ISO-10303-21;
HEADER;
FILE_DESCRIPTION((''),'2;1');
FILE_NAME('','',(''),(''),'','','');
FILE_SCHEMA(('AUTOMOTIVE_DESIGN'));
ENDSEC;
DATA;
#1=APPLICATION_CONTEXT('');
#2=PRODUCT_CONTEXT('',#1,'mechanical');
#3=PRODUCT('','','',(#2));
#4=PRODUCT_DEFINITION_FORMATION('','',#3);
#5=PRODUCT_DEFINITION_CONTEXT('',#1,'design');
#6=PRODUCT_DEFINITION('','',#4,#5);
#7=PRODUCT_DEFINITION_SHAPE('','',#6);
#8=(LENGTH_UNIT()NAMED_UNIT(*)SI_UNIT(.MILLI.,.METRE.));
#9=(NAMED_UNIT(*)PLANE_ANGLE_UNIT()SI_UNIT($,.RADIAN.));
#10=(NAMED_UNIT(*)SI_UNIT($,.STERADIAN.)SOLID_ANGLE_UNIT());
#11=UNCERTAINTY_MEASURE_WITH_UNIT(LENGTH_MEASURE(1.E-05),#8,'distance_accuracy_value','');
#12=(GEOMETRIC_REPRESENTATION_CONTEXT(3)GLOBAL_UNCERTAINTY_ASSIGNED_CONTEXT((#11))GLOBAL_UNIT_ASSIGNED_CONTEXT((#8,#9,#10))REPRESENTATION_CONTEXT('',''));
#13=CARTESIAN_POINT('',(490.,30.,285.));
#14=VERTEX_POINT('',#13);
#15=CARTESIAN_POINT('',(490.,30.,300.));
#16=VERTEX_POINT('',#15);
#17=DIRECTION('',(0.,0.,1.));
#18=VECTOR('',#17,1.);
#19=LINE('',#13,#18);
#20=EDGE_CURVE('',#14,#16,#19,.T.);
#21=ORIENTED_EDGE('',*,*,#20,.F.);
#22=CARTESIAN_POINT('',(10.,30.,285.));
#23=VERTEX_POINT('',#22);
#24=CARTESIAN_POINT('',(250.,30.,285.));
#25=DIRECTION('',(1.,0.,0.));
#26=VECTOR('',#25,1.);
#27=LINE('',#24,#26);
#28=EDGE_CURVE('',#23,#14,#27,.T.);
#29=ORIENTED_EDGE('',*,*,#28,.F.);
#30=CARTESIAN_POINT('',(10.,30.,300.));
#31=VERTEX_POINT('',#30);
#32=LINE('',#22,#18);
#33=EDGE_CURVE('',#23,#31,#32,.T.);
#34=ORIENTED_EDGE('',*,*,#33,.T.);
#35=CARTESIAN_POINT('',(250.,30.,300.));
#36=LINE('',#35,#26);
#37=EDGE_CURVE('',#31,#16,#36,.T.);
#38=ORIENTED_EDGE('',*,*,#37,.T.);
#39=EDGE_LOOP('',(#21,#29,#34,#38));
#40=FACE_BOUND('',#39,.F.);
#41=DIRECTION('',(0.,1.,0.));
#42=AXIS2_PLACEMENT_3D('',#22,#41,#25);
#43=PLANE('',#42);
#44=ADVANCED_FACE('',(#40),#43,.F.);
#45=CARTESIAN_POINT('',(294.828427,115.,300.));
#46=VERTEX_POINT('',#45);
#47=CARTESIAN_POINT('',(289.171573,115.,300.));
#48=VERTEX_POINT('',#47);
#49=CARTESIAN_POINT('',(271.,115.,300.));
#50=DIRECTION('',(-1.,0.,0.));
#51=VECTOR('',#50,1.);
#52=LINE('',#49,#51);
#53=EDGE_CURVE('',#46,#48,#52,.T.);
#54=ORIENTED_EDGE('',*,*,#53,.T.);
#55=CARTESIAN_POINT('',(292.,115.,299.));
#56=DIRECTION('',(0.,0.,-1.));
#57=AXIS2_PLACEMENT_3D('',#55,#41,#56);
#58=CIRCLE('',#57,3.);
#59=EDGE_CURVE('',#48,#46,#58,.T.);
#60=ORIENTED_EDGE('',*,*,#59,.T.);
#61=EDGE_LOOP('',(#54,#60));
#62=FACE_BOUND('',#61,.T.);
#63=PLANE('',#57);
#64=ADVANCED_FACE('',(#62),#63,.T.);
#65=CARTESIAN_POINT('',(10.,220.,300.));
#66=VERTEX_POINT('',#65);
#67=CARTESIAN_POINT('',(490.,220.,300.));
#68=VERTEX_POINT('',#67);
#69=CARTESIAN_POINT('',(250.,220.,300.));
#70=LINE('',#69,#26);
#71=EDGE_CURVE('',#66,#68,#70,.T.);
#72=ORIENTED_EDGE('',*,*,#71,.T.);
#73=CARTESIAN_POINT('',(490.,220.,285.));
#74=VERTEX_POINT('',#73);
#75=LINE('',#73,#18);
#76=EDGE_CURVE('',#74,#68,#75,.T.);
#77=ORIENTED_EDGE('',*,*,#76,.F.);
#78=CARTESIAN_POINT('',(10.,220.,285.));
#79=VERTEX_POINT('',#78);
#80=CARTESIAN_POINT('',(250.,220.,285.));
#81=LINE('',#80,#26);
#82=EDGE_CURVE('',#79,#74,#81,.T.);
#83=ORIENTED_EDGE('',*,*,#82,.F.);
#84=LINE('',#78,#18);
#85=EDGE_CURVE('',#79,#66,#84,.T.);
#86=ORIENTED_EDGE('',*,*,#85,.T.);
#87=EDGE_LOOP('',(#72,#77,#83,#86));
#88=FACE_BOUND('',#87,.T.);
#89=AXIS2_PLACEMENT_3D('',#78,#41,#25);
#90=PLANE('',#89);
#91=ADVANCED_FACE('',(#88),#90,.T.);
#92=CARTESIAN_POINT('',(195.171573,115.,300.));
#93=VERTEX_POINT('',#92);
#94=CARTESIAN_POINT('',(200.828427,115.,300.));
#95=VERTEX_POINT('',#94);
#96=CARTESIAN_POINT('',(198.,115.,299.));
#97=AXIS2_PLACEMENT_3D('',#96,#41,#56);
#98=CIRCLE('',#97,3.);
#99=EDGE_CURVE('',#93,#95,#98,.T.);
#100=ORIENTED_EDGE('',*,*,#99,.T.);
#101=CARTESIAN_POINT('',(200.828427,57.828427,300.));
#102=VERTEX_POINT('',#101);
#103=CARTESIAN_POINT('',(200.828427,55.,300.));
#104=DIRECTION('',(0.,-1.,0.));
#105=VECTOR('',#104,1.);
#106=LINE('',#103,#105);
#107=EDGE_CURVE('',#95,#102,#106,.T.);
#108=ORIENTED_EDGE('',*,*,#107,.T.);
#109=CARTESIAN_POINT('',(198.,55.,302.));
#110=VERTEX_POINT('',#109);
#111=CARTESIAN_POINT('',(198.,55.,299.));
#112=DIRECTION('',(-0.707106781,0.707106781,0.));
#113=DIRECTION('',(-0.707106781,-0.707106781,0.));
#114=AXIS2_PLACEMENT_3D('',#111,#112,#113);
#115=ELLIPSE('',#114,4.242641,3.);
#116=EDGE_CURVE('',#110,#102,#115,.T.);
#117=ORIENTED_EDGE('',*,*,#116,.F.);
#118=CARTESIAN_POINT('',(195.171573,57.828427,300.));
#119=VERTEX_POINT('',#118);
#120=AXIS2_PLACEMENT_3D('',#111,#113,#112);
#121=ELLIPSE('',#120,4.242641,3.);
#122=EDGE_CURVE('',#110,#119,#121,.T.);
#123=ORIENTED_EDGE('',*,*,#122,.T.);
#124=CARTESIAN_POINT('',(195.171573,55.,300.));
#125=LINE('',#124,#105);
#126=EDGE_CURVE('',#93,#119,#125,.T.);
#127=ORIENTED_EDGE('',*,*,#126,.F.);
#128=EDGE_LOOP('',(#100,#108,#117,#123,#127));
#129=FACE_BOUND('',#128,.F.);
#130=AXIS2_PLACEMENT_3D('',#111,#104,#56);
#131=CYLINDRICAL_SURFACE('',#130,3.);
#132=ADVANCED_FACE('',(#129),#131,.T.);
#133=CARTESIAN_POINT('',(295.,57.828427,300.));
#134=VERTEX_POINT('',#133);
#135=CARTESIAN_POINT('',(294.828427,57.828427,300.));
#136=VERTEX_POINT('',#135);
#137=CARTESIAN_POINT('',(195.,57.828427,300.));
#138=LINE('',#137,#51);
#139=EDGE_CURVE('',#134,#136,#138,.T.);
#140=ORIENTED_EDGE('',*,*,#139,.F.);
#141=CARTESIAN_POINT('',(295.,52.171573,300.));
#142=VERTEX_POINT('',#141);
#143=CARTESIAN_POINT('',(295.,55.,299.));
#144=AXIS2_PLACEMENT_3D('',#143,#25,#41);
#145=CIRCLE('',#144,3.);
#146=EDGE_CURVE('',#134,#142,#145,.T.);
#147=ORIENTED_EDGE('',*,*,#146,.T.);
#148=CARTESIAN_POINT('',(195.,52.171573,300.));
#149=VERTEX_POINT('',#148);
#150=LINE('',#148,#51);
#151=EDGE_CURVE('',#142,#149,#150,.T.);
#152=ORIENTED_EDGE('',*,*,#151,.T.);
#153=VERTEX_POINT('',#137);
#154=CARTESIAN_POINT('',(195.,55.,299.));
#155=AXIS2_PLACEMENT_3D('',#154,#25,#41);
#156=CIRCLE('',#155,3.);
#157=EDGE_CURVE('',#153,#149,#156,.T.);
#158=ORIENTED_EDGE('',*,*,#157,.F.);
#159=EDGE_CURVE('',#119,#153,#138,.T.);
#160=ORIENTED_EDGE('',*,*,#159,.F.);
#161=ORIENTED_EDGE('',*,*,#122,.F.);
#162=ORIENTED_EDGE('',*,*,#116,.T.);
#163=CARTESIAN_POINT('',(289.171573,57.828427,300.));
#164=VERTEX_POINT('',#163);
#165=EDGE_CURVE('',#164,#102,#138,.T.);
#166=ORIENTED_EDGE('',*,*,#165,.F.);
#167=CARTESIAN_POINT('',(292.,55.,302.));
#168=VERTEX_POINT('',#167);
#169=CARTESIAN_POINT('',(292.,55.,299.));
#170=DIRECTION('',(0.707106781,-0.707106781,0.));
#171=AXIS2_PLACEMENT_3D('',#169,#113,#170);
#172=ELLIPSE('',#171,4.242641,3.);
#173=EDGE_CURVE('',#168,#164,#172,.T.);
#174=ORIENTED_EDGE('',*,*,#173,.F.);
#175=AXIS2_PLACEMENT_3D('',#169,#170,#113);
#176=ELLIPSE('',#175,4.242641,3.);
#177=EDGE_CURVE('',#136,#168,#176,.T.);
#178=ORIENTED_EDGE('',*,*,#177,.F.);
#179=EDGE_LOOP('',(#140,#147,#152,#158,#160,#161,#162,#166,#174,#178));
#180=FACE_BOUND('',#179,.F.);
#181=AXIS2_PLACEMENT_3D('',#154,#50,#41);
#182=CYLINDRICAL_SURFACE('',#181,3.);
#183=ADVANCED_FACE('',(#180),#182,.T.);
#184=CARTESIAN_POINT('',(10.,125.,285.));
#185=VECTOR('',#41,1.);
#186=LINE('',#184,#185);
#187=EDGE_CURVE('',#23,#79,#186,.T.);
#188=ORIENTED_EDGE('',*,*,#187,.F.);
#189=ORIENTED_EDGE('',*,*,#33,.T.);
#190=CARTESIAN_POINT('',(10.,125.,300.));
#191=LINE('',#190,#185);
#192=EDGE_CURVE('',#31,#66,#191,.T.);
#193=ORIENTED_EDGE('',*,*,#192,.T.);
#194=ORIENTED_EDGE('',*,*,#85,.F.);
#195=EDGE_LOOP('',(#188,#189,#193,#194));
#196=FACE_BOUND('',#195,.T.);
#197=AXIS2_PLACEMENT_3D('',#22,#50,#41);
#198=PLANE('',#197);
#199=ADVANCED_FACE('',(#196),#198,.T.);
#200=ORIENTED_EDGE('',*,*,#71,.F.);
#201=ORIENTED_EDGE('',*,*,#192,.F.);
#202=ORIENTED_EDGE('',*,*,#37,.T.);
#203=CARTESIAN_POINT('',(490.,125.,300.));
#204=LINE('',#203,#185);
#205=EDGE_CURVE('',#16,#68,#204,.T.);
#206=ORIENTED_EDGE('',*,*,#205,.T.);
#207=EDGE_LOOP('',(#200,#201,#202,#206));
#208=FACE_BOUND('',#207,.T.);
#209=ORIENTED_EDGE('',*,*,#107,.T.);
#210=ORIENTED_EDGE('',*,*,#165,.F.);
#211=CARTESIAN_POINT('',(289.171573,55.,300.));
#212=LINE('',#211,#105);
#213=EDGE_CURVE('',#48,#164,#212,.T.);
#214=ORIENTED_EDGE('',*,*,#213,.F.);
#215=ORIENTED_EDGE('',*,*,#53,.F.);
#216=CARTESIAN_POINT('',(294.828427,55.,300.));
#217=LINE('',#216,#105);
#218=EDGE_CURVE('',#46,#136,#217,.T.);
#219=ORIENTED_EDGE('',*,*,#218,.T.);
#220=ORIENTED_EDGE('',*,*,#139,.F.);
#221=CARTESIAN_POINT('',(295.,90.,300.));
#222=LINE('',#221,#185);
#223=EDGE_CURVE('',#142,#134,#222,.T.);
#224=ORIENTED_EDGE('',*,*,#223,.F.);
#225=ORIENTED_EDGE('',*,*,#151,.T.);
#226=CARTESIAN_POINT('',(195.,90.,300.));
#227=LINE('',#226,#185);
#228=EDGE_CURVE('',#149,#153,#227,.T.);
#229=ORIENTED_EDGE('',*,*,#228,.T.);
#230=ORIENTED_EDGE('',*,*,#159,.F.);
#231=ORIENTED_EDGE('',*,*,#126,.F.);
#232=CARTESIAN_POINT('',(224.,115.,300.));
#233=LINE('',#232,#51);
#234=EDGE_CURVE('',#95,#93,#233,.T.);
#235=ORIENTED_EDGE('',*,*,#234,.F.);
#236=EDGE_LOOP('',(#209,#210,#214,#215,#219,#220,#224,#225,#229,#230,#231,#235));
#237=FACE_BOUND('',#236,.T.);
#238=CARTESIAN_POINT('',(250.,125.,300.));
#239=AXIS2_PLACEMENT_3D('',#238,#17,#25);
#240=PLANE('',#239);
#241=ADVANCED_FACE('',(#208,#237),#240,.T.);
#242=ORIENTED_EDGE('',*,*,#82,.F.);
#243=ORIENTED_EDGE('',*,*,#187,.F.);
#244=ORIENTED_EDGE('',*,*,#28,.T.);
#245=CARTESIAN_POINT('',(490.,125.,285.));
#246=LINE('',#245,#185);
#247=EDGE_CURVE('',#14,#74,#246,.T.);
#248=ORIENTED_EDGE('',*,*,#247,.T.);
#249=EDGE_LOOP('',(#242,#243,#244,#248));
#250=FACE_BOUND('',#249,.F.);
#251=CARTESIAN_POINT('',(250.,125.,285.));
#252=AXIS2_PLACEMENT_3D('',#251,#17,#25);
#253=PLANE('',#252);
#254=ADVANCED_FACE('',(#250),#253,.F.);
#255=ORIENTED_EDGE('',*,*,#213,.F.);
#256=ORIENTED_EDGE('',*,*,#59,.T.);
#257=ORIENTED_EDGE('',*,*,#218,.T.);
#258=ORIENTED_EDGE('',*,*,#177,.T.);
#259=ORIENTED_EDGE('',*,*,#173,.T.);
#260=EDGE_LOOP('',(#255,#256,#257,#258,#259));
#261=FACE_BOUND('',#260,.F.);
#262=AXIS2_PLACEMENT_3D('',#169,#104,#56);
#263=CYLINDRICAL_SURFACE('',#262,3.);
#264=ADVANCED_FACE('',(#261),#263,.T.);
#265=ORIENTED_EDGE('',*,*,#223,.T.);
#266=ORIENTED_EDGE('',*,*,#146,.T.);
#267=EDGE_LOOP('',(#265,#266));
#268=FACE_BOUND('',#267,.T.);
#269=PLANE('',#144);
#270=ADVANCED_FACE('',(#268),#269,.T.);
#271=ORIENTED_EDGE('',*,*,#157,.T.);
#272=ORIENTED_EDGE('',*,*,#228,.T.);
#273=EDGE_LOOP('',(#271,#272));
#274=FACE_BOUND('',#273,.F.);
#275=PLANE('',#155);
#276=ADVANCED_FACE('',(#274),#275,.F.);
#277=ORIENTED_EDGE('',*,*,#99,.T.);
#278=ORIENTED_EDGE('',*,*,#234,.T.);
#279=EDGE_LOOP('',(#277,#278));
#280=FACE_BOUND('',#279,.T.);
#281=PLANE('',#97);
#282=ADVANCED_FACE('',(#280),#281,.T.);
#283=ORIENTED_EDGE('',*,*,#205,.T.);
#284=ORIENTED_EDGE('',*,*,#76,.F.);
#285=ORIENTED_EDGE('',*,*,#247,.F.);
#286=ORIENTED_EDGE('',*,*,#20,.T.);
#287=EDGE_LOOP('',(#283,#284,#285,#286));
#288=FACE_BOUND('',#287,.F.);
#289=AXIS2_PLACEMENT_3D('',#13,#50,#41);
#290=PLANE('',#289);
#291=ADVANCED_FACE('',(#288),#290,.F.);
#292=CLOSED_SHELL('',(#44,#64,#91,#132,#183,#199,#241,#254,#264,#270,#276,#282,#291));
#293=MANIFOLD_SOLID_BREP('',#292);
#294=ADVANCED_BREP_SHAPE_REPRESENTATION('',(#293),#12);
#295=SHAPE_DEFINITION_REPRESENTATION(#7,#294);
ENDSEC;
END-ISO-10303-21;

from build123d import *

# Parameters (mm, degrees)
CYLINDER026_R             = 3
CYLINDER026_DEPTH         = 60
CYLINDER026_PITCH_ANGLE   = 90
CYLINDER025_R             = 3
CYLINDER025_DEPTH         = 100
CYLINDER025_ROLL_ANGLE    = 90
CYLINDER027_R             = 3
CYLINDER027_DEPTH         = 60
CYLINDER027_PITCH_ANGLE   = 90
FUSION011_PLACEMENT_ANGLE = 90
BOX026_W                  = 480
BOX026_H                  = 190
BOX026_DEPTH              = 15


with BuildPart() as cylinder032:
    # Cylinder026 → Cylinder026 (new body)
    with BuildSketch(Plane.XY):
        Circle(CYLINDER026_R)
    extrude(amount=CYLINDER026_DEPTH)


with BuildPart() as cylinder032_1:
    # Cylinder026 pitch: moved
    add(cylinder032.part.rotate(Axis((0, 0, 0), (0, 1, 0)), CYLINDER026_PITCH_ANGLE))


with BuildPart() as cylinder032_2:
    # Cylinder026 placement: moved
    add(cylinder032_1.part.moved(Location((-50, -3, 0))))


with BuildPart() as fusion010:
    # Cylinder025 → Cylinder025 (new body)
    with BuildSketch(Plane.XY):
        Circle(CYLINDER025_R)
    extrude(amount=CYLINDER025_DEPTH)


with BuildPart() as fusion010_1:
    # Cylinder025 roll: moved
    add(fusion010.part.rotate(Axis((0, 0, 0), (1, 0, 0)), CYLINDER025_ROLL_ANGLE))


with BuildPart() as fusion010_2:
    # Cylinder025 placement: moved
    add(fusion010_1.part.moved(Location((-50, 0, 0))))

    # Fusion010: union Cylinder032
    add(cylinder032_2.part)


with BuildPart() as handle_top:
    # Cylinder027 → Cylinder027 (new body)
    with BuildSketch(Plane.XY):
        Circle(CYLINDER027_R)
    extrude(amount=CYLINDER027_DEPTH)


with BuildPart() as handle_top_1:
    # Cylinder027 pitch: moved
    add(handle_top.part.rotate(Axis((0, 0, 0), (0, 1, 0)), CYLINDER027_PITCH_ANGLE))


with BuildPart() as handle_top_2:
    # Cylinder027 placement: moved
    add(handle_top_1.part.moved(Location((-50, -97, 0))))

    # Fusion011: union Fusion010
    add(fusion010_2.part)


with BuildPart() as handle_top_3:
    # Fusion011 placement: moved
    add(handle_top_2.part.moved(Location((195, 105, 299))).rotate(Axis((195, 105, 299), (0, 0, 1)), FUSION011_PLACEMENT_ANGLE))


with BuildPart() as solar_box_top_cover:
    # Box026 → Box026 (new body)
    with BuildSketch(Plane(origin=(10, 30, 285), x_dir=(1, 0, 0), z_dir=(0, 0, 1))):
        with Locations((240, 95)):
            Rectangle(BOX026_W, BOX026_H)
    extrude(amount=BOX026_DEPTH)

    # Fusion012: union Handle Top
    add(handle_top_3.part)


solid = solar_box_top_cover.part
